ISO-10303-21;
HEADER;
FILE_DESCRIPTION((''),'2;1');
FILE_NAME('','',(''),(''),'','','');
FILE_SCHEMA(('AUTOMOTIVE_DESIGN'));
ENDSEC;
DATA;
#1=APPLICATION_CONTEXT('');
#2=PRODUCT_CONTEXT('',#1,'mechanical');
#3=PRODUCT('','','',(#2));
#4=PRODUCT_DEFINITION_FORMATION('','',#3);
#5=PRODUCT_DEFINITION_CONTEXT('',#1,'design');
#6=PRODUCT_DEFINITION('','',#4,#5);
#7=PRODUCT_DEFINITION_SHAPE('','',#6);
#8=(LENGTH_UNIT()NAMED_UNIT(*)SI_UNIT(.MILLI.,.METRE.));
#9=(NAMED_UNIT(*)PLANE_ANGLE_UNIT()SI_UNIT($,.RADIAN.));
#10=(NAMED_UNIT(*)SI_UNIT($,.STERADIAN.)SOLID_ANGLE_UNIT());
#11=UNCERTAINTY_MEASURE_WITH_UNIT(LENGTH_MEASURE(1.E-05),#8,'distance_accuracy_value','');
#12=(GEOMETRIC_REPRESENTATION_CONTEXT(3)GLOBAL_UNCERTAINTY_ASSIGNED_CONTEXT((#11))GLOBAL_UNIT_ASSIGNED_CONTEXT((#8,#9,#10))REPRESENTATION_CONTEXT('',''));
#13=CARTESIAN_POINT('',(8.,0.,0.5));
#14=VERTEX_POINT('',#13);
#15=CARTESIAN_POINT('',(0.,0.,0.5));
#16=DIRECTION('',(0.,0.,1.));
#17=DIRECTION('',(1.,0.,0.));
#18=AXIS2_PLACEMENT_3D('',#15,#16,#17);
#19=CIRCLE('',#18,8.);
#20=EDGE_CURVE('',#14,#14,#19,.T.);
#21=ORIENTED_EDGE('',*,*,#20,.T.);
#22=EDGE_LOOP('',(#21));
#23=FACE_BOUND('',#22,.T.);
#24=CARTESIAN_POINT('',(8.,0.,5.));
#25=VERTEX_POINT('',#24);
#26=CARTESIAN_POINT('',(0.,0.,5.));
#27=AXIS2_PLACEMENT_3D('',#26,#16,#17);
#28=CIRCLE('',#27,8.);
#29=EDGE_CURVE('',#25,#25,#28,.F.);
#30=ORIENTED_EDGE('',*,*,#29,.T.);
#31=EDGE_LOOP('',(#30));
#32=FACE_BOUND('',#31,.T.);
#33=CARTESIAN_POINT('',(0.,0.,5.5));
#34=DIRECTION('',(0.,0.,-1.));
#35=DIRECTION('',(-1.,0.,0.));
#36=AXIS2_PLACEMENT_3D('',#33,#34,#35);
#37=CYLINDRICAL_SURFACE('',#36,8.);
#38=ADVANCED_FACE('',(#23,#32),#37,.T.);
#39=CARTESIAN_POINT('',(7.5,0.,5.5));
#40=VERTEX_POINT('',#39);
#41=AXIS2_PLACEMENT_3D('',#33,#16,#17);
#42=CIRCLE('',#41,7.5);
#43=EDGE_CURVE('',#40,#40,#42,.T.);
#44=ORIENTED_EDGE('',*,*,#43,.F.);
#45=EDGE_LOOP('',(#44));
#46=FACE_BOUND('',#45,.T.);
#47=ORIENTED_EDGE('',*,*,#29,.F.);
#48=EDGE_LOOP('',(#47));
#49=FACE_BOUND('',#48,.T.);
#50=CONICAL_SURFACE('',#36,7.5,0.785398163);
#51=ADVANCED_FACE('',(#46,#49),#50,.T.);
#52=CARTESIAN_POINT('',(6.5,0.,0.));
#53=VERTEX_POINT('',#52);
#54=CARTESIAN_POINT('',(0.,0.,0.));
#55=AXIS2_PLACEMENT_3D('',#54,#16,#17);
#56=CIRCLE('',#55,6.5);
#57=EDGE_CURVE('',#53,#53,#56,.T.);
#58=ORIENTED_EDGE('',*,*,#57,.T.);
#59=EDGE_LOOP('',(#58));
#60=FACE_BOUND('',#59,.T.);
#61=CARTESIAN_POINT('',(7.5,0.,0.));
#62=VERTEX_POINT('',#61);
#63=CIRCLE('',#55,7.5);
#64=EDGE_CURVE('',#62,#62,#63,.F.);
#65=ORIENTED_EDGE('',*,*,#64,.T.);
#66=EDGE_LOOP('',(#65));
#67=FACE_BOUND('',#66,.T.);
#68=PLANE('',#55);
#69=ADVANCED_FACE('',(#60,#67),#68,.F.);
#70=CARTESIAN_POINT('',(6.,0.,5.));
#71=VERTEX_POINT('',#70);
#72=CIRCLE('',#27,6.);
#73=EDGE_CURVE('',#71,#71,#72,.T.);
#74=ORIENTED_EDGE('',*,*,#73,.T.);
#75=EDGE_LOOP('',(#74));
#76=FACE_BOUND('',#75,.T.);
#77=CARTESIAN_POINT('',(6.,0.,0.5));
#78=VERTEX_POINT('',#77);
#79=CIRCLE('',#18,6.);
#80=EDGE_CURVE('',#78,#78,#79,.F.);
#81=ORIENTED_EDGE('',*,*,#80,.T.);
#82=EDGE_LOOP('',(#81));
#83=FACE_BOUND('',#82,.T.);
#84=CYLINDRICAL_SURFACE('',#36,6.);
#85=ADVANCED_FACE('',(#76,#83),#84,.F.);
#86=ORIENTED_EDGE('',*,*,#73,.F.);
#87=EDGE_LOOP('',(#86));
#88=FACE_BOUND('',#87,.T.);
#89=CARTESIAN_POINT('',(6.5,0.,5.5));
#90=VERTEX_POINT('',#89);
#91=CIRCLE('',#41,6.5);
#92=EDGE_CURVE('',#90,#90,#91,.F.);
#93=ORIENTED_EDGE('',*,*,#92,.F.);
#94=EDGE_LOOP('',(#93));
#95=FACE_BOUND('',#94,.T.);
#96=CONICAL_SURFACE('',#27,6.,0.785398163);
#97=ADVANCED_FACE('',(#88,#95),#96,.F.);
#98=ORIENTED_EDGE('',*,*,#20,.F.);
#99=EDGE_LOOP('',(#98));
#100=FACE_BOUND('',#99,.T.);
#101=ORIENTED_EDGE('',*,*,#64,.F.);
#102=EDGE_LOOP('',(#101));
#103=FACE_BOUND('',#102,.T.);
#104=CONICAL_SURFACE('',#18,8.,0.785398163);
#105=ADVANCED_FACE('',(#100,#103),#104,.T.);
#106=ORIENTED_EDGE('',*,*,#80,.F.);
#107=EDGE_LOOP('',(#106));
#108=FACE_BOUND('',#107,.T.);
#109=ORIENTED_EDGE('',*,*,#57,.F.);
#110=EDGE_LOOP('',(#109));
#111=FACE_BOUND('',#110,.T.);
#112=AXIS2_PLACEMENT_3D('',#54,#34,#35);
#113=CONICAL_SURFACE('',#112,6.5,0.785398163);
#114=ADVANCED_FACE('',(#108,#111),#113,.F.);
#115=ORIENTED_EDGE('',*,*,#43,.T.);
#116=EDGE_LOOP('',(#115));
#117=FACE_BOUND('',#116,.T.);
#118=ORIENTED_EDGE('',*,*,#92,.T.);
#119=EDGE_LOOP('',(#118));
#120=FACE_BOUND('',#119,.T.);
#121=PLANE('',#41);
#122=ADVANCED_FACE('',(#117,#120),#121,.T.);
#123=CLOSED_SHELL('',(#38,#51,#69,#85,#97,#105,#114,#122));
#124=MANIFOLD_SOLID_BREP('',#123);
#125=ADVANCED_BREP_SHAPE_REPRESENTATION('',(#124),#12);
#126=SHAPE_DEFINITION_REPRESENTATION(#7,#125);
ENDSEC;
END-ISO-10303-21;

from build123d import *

# Parameters (mm, degrees)
SKETCH1_R           = 8
SKETCH1_R_2         = 6
BOSS_EXTRUDE1_DEPTH = 5.5
CHAMFER1_SIZE       = 0.5


with BuildPart() as part:
    # Sketch1 → Boss-Extrude1 (new body)
    with BuildSketch(Plane.XY):
        Circle(SKETCH1_R)
        Circle(SKETCH1_R_2, mode=Mode.SUBTRACT)
    extrude(amount=BOSS_EXTRUDE1_DEPTH)

    # Chamfer1
    chamfer1_edges = [part.edges().sort_by_distance(p)[0] for p in [
        (-8, 0, 0),
        (-8, 0, 5.5),
        (-6, 0, 0),
        (-6, 0, 5.5),
    ]]
    chamfer(chamfer1_edges, length=CHAMFER1_SIZE)


solid = part.part
